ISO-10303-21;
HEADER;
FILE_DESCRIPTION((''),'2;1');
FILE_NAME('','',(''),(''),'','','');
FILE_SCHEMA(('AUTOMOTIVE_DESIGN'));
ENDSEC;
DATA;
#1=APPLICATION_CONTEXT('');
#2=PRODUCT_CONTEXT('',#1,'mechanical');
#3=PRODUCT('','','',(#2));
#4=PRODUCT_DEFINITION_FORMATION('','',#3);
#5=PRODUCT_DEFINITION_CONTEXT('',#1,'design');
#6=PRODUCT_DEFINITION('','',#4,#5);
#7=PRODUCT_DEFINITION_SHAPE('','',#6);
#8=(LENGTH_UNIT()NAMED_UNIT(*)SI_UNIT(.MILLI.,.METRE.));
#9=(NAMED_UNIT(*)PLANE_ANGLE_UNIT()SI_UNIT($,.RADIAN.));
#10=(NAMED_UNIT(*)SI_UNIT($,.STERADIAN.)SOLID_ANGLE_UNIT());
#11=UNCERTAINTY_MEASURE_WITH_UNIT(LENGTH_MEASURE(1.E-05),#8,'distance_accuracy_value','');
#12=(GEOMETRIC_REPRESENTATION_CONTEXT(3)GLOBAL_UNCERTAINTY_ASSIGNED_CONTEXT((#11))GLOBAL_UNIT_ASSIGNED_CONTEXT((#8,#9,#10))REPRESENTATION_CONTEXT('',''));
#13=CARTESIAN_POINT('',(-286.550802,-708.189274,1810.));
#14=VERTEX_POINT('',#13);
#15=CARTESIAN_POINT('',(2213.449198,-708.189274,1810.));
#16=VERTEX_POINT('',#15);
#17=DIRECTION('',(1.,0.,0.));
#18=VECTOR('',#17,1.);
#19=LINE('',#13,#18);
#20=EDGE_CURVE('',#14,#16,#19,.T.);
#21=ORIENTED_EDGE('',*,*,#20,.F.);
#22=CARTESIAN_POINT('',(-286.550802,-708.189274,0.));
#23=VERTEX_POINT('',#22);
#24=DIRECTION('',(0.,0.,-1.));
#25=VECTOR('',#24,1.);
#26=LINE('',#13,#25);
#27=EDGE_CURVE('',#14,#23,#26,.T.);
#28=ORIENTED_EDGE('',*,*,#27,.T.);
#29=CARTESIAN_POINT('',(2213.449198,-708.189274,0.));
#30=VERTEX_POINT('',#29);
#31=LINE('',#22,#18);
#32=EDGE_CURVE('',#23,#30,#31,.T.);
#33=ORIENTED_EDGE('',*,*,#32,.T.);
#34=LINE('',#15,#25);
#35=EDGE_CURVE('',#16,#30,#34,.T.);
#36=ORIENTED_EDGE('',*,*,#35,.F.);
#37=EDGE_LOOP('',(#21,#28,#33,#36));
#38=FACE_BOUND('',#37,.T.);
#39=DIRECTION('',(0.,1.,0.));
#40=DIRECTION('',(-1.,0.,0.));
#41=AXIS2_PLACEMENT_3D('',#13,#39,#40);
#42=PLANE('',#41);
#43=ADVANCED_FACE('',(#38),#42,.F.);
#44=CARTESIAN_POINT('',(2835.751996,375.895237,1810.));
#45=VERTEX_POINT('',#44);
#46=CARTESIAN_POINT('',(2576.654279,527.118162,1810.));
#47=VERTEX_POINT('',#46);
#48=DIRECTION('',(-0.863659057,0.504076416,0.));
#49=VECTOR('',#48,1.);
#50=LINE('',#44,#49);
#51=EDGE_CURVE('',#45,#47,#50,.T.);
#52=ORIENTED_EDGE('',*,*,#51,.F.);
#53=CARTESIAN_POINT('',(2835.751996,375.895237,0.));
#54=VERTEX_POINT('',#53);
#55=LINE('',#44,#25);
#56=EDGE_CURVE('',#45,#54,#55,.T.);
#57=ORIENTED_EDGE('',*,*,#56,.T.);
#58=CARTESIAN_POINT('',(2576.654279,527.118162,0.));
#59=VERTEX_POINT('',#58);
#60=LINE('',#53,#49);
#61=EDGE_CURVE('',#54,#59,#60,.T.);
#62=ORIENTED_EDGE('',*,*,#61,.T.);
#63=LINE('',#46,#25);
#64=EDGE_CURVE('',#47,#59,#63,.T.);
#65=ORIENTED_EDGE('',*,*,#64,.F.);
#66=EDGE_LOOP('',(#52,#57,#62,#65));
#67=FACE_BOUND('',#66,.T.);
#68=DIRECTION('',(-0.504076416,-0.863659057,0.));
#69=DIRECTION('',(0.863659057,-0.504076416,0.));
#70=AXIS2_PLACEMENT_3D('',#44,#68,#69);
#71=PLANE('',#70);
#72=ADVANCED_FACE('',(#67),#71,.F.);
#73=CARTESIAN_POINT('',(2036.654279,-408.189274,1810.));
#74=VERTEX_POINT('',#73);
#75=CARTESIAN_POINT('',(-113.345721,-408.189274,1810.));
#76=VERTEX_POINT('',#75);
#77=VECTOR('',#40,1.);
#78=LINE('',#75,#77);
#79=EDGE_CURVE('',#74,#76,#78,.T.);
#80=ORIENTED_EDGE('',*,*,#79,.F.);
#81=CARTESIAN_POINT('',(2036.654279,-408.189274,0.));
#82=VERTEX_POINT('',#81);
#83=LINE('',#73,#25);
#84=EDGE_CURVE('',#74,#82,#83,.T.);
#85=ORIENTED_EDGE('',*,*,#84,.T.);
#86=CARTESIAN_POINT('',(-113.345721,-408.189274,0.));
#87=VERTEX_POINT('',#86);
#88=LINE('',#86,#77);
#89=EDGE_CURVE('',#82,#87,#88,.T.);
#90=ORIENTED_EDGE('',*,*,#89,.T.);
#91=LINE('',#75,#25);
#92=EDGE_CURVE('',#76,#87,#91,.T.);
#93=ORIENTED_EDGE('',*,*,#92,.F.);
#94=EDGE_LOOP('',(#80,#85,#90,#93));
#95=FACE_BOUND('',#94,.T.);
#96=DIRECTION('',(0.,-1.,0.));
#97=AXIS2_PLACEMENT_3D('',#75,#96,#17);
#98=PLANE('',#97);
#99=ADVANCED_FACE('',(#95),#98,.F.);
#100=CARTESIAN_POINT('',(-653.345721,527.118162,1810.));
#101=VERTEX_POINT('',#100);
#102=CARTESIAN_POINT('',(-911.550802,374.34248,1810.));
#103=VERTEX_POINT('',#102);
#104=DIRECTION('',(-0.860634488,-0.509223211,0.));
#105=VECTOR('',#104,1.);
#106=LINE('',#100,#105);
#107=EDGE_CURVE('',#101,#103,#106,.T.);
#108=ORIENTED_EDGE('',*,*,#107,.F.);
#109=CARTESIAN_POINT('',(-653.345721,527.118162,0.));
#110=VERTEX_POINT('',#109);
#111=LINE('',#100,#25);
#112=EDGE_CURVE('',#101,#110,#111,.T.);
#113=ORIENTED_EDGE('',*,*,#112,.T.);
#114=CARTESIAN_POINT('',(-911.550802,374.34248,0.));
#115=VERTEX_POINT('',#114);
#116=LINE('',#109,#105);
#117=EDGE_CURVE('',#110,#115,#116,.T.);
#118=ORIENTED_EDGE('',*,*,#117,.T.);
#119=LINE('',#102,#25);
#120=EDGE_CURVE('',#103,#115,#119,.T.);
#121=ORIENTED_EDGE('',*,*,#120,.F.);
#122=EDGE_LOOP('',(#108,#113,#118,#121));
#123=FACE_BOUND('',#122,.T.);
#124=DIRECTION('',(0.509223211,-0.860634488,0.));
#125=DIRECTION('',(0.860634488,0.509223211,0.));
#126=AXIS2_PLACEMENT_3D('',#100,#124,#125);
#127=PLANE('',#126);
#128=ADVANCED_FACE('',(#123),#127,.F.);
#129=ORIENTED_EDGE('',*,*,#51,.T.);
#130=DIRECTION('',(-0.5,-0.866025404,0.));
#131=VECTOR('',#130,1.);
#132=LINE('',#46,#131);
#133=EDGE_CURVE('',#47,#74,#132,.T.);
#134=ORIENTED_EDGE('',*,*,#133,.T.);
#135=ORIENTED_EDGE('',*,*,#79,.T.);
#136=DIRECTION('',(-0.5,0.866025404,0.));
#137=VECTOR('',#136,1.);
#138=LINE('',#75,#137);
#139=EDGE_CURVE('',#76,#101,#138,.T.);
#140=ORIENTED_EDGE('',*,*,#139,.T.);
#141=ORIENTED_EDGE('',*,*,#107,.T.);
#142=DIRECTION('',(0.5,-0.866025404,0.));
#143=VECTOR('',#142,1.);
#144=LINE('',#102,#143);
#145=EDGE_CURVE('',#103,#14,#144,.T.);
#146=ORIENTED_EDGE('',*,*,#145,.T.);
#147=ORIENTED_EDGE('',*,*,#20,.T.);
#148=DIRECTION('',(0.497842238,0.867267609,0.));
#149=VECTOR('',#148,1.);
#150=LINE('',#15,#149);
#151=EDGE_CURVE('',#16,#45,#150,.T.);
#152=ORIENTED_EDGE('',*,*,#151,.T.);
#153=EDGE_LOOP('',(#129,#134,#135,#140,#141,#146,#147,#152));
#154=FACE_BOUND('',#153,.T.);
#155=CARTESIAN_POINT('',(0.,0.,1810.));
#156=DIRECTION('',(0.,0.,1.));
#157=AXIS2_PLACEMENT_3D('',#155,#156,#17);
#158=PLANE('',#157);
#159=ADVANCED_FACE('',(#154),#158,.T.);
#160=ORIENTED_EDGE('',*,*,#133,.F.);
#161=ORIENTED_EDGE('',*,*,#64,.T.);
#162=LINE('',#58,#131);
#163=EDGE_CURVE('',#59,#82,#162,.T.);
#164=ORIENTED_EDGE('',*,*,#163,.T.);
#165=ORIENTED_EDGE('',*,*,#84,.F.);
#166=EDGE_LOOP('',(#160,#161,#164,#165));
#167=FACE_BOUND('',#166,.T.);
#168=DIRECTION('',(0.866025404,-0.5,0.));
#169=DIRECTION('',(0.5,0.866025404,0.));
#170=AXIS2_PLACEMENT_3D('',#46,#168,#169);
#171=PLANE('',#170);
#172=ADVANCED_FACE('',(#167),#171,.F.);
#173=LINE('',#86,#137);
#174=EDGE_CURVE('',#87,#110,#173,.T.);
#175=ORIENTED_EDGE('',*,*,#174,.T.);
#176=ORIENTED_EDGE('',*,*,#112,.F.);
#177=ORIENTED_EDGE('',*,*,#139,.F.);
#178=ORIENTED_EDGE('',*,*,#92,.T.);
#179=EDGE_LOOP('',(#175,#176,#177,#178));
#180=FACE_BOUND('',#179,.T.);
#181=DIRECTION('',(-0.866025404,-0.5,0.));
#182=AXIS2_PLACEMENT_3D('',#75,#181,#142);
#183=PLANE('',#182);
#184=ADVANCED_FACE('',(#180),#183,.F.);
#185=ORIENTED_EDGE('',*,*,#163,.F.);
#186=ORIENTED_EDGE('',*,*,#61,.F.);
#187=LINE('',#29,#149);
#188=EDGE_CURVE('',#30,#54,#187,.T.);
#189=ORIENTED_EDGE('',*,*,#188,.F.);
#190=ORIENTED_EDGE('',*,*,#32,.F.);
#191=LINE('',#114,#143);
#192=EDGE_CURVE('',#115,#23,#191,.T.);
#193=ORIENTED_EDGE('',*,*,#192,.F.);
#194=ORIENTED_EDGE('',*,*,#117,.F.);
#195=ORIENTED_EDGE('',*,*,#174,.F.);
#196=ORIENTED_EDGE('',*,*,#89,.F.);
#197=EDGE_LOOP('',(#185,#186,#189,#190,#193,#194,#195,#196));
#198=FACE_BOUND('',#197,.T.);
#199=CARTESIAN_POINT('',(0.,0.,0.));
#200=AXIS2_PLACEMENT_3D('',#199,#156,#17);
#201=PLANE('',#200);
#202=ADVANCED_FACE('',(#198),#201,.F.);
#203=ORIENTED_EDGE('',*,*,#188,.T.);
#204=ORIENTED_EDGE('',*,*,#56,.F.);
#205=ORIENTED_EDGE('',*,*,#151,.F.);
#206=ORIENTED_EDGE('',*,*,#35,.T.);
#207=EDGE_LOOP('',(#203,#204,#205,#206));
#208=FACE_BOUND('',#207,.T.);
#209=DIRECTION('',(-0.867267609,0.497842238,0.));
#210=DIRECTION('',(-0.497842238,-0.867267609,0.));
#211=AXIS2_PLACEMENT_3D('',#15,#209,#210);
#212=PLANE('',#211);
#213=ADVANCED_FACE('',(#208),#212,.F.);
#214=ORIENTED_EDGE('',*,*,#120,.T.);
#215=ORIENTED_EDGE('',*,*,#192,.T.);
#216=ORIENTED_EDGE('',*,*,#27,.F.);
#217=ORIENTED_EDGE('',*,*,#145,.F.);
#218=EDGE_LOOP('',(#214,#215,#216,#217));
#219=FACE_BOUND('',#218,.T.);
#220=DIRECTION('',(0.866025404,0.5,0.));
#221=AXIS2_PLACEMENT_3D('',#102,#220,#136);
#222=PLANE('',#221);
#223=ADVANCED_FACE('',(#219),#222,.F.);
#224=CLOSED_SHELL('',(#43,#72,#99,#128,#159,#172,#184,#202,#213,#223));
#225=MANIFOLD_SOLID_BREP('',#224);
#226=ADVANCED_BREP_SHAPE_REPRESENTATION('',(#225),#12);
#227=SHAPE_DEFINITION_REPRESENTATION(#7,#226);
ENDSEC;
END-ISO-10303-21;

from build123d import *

# Parameters (mm, degrees)
SALIENTE_EXTRUIR1_DEPTH = 1810


with BuildPart() as part:
    # Croquis1 → Saliente-Extruir1 (new body)
    with BuildSketch(Plane.XY):
        Polygon((-113.345721284, -408.189274437), (2036.654278716, -408.189274437), (2576.654278716, 527.11816165), (2835.751995862, 375.895236901), (2213.44919796, -708.189274437), (-286.55080204, -708.189274437), (-911.55080204, 374.342480294), (-653.345721284, 527.11816165), align=None)
    extrude(amount=SALIENTE_EXTRUIR1_DEPTH)


solid = part.part
